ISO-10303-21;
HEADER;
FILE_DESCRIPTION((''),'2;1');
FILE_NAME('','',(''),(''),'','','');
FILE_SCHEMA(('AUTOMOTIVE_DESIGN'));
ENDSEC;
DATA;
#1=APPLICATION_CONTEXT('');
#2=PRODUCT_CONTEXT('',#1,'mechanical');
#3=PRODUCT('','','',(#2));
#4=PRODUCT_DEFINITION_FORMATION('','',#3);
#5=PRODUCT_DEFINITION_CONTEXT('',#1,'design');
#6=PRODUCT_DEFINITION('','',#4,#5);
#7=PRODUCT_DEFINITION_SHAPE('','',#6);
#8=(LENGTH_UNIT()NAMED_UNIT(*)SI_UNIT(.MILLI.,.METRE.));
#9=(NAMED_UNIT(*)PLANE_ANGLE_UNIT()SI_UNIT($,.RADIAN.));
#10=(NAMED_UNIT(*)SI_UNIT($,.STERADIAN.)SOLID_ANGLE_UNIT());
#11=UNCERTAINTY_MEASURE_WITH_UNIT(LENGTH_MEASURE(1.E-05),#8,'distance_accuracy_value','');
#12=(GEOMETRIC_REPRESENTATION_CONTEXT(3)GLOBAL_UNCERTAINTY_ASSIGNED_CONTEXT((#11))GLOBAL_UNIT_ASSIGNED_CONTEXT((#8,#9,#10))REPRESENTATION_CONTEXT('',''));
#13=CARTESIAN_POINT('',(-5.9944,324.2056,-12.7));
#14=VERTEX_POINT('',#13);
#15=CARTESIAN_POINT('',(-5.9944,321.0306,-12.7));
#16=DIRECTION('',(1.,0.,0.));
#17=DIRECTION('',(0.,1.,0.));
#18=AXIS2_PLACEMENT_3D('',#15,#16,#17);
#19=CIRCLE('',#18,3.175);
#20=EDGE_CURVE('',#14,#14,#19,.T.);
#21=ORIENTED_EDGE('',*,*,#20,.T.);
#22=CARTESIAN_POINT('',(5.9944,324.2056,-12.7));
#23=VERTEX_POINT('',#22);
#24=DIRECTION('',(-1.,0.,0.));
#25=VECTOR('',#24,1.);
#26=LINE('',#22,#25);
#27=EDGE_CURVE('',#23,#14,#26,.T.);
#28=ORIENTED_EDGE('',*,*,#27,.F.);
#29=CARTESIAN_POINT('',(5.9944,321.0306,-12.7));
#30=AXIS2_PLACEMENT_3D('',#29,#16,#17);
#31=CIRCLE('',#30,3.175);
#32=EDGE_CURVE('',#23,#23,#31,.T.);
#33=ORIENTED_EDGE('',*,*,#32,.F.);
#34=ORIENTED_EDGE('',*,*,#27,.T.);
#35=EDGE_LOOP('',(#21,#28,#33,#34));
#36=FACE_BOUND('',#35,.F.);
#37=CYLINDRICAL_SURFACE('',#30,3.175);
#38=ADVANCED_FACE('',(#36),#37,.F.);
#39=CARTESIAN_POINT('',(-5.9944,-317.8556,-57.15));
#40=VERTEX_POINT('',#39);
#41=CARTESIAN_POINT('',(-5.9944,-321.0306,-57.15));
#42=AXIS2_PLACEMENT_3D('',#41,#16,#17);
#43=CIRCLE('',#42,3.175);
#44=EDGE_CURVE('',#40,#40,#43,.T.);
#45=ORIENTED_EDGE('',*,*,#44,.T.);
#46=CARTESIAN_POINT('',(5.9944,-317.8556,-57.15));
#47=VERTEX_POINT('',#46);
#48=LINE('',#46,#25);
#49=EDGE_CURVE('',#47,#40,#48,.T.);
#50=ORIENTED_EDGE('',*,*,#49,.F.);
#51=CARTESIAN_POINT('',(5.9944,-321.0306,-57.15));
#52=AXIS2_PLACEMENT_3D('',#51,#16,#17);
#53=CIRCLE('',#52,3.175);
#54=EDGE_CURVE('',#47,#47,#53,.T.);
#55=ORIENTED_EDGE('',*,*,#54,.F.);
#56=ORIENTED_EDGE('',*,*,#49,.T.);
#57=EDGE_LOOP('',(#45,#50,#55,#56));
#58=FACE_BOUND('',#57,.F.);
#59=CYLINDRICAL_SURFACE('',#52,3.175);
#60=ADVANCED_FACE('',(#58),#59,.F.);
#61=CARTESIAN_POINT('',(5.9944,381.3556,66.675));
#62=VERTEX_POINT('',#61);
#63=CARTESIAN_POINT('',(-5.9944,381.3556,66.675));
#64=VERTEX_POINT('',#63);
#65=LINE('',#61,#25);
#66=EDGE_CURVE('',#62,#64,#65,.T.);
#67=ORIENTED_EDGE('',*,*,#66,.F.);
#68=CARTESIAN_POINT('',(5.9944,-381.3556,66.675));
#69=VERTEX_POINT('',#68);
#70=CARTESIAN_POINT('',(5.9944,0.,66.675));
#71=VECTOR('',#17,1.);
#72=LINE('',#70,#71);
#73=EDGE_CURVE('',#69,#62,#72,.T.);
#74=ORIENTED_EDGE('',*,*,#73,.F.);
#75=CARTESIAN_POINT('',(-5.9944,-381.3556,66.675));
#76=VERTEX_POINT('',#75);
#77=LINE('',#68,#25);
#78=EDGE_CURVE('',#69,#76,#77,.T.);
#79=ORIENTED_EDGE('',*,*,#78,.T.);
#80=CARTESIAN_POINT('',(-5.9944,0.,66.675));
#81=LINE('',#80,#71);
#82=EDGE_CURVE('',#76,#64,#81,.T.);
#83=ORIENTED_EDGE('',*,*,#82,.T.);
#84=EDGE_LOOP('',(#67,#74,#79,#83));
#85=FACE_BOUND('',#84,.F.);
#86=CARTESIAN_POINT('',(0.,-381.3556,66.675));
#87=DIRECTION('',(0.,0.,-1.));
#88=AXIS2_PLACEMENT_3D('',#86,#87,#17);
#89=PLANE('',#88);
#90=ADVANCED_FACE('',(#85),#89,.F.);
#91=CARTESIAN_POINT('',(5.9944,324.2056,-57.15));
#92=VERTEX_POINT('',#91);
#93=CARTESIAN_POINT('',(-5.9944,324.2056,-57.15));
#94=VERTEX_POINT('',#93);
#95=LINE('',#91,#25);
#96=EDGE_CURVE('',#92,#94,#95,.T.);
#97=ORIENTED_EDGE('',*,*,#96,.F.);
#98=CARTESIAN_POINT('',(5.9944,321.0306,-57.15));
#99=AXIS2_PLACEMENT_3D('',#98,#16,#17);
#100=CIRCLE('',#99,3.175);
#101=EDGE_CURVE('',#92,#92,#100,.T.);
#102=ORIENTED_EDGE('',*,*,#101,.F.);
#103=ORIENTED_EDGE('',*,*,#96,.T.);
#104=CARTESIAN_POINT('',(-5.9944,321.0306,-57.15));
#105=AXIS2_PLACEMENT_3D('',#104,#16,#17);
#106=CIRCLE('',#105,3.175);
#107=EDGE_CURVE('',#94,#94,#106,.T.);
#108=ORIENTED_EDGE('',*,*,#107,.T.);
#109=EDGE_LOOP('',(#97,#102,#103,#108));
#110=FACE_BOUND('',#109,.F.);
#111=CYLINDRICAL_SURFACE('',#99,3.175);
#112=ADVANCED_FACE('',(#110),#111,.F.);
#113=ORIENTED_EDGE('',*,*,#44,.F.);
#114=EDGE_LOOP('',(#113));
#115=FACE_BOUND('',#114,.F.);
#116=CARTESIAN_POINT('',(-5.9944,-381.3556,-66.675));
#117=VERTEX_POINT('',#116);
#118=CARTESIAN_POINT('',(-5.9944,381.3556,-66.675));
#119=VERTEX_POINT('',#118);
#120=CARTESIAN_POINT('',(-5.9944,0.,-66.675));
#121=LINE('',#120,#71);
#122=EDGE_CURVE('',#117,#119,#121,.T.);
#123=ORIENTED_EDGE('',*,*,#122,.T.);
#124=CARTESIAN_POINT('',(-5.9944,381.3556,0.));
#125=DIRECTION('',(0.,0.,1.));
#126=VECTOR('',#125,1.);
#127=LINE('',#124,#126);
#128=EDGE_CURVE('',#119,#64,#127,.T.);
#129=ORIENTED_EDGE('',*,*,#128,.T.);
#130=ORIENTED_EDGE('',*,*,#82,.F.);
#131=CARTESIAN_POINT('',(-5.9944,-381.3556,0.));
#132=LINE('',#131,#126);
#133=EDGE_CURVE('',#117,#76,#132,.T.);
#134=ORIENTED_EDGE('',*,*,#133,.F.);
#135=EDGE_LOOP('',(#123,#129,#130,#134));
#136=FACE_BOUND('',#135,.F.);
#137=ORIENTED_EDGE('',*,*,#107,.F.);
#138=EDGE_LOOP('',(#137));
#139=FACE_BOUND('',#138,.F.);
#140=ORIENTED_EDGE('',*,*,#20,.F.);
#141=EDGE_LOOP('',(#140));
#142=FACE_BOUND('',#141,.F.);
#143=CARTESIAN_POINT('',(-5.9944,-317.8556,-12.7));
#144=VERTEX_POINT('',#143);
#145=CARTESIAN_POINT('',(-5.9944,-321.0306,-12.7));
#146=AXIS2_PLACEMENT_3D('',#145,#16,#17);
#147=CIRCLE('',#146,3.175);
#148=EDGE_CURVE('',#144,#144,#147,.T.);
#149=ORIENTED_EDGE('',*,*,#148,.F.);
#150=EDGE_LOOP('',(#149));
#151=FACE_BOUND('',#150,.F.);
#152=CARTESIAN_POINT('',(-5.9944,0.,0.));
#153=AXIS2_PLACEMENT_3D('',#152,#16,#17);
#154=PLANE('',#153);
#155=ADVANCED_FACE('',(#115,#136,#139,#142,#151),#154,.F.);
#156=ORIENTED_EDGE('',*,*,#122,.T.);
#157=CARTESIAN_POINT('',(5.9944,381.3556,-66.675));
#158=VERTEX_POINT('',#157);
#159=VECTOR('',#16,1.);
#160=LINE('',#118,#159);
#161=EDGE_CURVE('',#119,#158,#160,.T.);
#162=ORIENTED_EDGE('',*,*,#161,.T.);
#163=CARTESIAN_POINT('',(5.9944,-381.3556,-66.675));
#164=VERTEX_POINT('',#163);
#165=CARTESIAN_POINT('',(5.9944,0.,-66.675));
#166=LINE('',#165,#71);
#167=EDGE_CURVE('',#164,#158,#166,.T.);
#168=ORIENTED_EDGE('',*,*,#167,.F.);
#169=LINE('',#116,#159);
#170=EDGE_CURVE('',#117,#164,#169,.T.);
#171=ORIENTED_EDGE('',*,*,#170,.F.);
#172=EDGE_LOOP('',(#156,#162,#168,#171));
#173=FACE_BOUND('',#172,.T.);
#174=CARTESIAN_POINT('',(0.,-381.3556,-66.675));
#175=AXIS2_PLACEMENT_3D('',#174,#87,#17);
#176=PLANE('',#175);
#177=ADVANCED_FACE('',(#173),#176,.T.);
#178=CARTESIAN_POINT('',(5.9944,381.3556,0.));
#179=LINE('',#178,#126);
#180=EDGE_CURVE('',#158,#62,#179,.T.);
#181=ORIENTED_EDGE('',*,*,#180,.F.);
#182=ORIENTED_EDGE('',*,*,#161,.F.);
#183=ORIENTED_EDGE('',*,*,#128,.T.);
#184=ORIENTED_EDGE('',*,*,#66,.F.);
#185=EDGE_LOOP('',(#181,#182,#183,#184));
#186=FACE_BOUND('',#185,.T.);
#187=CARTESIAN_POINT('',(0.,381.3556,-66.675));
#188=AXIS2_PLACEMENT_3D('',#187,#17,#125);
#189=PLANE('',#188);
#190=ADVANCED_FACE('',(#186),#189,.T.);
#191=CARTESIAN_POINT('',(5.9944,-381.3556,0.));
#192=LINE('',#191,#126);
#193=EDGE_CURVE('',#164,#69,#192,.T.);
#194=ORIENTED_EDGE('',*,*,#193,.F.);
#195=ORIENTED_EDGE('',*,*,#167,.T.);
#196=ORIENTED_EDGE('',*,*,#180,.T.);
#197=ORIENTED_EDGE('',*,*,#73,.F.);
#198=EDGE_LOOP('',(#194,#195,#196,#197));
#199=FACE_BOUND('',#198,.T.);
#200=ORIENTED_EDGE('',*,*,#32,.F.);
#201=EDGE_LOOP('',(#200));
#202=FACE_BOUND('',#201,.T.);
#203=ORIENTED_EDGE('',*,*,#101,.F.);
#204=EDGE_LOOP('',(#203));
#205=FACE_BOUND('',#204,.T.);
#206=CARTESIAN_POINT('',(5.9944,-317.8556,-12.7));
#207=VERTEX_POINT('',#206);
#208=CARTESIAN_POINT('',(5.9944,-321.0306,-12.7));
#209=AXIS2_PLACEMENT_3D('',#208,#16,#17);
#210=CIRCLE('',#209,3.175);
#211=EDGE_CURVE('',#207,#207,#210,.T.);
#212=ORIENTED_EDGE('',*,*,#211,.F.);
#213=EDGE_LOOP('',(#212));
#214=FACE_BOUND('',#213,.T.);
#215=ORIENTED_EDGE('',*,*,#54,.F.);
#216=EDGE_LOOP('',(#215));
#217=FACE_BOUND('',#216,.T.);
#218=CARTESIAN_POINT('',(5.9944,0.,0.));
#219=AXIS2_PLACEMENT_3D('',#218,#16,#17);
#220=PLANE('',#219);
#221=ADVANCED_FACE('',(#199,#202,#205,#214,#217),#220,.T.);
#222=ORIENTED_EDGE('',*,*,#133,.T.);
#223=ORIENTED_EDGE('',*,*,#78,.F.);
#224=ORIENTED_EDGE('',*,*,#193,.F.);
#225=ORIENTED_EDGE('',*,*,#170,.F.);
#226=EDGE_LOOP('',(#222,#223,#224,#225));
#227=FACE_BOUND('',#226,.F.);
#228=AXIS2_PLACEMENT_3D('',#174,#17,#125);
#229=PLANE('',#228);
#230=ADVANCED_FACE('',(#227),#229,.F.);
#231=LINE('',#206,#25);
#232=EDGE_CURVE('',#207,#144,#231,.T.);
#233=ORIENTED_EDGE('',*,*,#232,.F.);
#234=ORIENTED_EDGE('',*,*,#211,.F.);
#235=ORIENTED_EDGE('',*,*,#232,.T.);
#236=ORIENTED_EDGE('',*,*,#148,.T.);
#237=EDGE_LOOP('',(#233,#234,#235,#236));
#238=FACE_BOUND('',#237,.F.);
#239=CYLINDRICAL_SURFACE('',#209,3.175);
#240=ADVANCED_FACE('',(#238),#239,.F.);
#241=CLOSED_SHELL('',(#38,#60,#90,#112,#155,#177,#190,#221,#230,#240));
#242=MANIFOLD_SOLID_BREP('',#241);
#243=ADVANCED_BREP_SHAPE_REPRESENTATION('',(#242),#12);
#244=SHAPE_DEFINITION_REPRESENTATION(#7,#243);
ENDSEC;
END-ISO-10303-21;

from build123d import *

# Parameters (mm, degrees)
F0_W     = 762.7112
F0_H     = 133.35
F1_DEPTH = 5.9944
F2_R     = 3.175
F3_DEPTH = 11.9888


with BuildPart() as f1:
    # F0 (on Right) → F1 (new body, symmetric)
    with BuildSketch(Plane.YZ):
        Rectangle(F0_W, F0_H)
    extrude(amount=F1_DEPTH, both=True)

    # F2 (on face) → F3 (cut, through all)
    with BuildSketch(Plane.YZ.offset(5.9944)):
        with Locations((-321.0306, -12.7)):
            Circle(F2_R)
        with Locations((-321.0306, -57.15)):
            Circle(F2_R)
        with Locations((321.0306, -57.15)):
            Circle(F2_R)
        with Locations((321.0306, -12.7)):
            Circle(F2_R)
    extrude(amount=-F3_DEPTH, mode=Mode.SUBTRACT)


solid = f1.part
